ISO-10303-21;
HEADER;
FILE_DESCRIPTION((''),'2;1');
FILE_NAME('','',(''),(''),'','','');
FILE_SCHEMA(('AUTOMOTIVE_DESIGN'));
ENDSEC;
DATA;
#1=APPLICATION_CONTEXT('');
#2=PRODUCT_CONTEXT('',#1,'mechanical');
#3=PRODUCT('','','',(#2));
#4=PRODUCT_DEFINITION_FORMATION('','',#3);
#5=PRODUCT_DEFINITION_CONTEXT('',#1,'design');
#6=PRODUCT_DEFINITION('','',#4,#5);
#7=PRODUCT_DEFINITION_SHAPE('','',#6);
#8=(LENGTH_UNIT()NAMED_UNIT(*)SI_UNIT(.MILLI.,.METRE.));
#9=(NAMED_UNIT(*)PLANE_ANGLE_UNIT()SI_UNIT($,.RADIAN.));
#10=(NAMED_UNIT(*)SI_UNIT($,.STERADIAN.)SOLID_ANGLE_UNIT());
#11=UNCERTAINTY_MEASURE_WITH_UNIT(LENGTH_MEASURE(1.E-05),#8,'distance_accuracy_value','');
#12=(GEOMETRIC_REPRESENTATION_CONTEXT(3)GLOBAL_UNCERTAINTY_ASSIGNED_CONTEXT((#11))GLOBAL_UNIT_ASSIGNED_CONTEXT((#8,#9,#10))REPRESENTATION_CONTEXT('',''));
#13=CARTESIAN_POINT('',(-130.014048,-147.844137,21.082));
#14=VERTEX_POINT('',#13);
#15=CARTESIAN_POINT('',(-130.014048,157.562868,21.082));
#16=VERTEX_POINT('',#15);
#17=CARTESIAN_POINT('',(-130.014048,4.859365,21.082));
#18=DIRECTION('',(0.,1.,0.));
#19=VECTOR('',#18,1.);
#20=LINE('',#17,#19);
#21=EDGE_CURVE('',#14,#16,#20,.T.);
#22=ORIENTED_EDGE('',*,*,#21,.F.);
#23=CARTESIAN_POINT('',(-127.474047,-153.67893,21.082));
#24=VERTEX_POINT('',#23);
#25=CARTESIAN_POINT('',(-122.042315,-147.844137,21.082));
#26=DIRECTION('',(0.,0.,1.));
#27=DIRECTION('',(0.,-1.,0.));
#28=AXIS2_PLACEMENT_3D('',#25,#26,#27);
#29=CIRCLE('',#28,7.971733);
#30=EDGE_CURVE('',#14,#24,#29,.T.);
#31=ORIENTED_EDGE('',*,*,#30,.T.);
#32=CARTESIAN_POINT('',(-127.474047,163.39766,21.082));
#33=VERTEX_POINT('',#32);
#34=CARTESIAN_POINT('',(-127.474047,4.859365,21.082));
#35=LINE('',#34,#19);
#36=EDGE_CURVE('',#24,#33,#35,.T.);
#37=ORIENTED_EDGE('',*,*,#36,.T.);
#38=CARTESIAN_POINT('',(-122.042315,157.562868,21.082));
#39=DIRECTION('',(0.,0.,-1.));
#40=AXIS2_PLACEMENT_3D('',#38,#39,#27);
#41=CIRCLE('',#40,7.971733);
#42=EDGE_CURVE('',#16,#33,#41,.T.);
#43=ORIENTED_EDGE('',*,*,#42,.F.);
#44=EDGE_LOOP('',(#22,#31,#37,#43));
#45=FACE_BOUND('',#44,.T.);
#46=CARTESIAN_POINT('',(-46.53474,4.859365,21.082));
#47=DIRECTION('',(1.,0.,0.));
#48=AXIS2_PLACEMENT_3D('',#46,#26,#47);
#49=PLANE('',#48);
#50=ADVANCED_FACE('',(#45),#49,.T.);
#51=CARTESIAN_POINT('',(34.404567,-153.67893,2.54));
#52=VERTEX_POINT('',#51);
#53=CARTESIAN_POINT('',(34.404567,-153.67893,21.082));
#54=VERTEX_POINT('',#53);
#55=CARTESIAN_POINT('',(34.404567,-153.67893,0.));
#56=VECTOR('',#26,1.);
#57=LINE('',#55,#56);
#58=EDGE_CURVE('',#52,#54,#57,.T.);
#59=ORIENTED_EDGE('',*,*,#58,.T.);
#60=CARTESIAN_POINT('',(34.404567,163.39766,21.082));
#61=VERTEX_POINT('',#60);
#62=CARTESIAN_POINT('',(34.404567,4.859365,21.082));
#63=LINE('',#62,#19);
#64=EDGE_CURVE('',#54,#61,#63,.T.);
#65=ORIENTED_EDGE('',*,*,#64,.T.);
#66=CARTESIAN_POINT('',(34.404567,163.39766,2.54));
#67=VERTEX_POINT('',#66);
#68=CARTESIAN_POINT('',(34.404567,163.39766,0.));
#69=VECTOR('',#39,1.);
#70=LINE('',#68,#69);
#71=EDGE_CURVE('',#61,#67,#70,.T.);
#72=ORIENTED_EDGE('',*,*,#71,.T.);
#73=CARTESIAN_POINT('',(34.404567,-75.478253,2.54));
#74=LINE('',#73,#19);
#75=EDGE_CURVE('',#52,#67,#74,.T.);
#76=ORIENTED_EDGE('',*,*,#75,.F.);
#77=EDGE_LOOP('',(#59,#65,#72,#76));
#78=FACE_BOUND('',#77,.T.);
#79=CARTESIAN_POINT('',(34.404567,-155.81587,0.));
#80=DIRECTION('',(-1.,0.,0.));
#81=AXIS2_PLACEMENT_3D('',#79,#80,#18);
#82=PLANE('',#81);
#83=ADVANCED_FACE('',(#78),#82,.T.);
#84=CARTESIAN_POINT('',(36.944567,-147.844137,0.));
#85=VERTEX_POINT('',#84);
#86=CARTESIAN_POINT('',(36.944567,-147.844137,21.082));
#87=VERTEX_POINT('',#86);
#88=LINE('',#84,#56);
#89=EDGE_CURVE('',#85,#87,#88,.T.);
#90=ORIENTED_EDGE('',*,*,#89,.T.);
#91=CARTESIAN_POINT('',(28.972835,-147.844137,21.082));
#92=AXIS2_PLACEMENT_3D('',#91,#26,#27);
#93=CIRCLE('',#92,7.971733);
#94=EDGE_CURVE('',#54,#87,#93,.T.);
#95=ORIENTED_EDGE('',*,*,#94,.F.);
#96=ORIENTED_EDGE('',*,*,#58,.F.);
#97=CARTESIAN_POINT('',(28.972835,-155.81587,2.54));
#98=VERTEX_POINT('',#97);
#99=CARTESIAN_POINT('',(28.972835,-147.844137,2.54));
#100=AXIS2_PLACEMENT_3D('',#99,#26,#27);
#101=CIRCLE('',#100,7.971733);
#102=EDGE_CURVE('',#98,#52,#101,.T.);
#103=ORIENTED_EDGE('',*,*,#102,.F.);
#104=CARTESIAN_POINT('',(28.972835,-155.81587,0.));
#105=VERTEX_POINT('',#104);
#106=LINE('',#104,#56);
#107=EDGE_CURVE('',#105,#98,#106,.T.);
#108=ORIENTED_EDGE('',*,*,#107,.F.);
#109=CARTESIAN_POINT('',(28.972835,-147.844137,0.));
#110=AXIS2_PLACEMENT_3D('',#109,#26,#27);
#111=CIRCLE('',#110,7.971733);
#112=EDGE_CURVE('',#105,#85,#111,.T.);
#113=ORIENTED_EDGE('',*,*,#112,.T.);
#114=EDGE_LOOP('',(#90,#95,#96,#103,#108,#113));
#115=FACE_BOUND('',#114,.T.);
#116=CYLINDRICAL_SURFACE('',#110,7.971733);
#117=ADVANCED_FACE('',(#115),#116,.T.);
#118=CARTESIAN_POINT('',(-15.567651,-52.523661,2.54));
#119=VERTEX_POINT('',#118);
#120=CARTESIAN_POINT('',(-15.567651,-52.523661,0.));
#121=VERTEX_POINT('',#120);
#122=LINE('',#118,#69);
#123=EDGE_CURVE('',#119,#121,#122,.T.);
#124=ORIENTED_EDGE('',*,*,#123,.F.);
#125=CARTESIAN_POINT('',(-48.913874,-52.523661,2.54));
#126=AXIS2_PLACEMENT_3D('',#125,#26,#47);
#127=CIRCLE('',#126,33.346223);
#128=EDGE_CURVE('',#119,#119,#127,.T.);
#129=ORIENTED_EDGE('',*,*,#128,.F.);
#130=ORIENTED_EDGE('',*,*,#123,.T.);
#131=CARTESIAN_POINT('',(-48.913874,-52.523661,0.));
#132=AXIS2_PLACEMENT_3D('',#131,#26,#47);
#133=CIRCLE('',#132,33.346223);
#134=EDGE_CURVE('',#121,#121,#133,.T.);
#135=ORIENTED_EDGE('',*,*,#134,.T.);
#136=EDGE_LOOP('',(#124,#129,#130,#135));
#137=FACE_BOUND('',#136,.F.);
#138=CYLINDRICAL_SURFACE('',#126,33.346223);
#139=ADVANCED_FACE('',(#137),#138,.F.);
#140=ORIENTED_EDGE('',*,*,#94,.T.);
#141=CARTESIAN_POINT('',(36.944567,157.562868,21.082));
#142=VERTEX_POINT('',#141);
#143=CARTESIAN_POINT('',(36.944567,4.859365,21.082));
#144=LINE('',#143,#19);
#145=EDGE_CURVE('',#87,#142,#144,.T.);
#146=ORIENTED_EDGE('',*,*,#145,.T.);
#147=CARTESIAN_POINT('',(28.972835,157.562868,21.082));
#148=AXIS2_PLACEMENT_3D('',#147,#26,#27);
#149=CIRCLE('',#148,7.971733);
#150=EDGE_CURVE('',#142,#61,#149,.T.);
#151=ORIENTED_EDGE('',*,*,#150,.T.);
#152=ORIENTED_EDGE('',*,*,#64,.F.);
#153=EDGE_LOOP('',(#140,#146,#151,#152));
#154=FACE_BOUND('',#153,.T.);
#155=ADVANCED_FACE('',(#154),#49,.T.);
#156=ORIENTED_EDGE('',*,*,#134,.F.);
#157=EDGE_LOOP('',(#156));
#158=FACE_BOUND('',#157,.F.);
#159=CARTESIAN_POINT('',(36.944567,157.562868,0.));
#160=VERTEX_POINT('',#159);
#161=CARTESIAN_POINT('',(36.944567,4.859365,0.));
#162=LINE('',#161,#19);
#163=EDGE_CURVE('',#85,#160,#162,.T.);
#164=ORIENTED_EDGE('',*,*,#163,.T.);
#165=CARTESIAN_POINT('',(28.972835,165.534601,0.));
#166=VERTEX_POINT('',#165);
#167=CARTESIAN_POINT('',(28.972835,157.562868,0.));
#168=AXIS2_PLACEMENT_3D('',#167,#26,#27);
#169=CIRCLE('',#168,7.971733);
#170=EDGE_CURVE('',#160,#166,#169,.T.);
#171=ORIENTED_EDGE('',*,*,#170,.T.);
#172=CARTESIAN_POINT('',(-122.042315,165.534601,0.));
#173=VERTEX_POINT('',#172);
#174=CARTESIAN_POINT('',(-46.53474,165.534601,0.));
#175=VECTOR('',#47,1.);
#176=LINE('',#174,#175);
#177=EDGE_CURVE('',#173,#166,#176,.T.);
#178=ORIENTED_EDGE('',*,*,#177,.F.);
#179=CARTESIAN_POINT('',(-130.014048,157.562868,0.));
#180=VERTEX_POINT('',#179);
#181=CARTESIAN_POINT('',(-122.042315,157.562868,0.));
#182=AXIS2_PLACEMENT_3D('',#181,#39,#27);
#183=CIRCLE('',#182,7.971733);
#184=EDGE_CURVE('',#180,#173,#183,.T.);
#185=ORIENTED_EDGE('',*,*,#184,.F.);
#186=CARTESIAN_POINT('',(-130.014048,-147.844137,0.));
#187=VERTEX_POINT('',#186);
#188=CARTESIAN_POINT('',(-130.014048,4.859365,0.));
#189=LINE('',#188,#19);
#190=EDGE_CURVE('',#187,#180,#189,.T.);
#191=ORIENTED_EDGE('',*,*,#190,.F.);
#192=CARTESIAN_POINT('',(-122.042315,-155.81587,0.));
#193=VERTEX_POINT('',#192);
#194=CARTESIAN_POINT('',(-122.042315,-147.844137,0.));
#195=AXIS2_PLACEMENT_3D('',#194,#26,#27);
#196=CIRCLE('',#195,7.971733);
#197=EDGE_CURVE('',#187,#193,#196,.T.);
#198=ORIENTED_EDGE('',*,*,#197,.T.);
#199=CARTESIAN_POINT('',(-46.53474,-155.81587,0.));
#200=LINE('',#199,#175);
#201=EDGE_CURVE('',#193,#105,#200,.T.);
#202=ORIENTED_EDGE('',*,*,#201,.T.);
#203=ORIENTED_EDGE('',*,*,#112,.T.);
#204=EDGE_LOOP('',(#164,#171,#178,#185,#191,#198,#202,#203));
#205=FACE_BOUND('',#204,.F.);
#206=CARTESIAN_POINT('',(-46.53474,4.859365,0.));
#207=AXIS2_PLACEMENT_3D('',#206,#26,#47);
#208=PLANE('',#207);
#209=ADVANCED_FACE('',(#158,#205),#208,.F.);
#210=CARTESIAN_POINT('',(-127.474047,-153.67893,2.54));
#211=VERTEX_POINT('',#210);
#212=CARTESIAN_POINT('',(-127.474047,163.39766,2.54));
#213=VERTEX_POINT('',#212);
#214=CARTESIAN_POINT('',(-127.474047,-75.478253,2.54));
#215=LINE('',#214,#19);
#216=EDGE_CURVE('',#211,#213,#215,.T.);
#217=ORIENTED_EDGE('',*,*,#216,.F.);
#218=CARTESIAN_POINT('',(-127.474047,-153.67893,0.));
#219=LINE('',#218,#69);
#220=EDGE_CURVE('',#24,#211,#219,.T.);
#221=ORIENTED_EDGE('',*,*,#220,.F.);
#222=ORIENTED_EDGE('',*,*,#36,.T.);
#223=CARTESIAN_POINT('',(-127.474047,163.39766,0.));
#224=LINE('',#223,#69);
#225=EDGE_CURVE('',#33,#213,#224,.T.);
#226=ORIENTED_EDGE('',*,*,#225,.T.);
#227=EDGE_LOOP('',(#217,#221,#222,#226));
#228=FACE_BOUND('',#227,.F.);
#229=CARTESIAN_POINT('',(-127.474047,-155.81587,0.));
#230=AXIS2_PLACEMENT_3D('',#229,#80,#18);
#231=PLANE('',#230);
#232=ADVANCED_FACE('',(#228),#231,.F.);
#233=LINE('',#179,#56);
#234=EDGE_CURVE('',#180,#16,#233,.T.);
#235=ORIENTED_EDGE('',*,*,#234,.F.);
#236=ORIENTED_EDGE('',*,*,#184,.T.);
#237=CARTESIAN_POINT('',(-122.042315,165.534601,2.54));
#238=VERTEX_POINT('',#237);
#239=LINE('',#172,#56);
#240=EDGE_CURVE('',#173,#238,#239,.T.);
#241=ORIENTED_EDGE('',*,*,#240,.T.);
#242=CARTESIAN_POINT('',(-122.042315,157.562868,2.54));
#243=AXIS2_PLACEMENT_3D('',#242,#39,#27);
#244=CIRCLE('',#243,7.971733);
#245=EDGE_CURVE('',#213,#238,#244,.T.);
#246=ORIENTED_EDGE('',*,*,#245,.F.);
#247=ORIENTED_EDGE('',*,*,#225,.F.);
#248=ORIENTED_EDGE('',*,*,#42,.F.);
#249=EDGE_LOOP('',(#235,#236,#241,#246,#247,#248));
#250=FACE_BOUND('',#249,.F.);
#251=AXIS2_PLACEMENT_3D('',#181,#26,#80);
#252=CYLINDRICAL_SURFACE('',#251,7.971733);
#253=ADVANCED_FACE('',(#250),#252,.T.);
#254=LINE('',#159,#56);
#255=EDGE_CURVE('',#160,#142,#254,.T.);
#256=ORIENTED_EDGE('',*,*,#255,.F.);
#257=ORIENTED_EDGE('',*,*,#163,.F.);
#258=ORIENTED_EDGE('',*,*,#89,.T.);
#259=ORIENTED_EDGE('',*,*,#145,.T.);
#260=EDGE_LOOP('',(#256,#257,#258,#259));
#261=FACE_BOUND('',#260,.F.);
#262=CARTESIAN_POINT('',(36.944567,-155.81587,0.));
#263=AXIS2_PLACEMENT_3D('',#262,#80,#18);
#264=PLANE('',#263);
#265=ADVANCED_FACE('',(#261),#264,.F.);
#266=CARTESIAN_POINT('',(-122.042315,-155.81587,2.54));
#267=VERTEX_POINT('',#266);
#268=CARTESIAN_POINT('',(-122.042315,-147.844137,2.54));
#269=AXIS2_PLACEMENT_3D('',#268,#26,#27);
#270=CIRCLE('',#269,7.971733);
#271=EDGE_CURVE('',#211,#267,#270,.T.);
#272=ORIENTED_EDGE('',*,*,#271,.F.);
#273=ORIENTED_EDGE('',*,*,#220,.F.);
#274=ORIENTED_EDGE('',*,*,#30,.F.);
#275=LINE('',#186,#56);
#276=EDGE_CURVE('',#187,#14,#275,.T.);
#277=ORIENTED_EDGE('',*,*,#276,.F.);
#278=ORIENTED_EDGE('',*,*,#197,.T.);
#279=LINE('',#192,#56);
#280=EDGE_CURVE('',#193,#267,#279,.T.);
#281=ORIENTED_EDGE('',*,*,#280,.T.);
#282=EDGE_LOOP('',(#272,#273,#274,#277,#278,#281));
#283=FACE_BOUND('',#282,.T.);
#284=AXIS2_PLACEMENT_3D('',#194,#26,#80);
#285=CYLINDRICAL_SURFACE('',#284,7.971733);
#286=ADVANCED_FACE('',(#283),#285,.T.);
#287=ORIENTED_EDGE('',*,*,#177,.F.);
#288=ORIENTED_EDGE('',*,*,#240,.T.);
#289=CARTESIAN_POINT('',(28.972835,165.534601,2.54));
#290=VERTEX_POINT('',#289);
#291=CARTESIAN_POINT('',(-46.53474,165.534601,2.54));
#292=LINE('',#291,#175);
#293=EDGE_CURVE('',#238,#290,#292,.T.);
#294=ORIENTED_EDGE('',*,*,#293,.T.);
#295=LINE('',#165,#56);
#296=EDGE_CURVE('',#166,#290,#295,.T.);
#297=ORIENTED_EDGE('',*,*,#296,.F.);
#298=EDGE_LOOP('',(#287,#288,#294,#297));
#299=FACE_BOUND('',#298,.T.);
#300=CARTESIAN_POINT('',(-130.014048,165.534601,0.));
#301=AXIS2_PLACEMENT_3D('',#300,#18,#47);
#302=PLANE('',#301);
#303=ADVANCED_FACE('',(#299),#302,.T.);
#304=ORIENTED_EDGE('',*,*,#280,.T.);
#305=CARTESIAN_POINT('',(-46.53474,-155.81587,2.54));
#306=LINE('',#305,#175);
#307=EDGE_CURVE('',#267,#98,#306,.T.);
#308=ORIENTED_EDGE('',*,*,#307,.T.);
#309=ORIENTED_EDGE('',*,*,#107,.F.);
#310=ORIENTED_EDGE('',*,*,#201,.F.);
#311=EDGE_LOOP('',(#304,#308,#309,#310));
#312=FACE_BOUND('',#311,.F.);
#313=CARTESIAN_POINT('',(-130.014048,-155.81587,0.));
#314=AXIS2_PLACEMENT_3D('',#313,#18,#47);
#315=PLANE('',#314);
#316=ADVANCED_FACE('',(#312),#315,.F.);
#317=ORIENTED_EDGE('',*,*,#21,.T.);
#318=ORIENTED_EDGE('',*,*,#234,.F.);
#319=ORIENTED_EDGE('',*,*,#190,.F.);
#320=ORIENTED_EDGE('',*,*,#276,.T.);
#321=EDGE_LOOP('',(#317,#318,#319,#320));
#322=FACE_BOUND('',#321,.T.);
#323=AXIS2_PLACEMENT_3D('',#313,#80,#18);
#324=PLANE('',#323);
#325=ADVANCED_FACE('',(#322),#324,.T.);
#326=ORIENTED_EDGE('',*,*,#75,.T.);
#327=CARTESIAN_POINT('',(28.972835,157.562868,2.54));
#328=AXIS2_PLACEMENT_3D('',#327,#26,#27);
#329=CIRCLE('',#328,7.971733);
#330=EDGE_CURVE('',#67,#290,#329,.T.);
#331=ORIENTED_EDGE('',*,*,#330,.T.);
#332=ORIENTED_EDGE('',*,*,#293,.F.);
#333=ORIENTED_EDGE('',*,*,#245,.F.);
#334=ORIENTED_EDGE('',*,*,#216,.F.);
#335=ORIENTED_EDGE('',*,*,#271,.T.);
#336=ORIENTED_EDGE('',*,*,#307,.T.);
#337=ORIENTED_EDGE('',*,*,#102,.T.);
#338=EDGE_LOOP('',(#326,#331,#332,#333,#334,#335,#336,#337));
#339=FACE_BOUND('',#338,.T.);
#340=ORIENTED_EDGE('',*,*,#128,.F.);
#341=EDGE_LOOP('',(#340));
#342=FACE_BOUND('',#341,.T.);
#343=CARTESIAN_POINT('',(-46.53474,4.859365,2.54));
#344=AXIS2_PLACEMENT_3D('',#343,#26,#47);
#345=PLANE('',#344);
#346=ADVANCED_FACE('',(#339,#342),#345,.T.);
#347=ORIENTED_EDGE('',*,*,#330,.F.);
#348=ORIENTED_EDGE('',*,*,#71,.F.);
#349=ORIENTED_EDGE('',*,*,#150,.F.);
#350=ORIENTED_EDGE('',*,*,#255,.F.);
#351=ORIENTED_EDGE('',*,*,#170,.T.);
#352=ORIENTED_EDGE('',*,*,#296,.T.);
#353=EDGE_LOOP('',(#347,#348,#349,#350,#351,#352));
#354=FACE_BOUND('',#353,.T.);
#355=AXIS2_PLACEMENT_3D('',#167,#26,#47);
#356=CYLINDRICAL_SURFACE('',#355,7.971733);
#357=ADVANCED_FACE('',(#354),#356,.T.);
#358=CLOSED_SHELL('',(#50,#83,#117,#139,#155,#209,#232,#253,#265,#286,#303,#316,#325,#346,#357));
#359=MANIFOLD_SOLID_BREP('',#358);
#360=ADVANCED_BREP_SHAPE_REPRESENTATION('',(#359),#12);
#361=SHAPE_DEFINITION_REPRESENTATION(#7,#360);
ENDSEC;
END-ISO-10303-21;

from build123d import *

# Parameters (mm, degrees)
F0_W     = 166.958615
F0_H     = 321.350471
F1_DEPTH = 21.082
F2_T     = -2.54
F3_R     = 7.971733
F4_R     = 7.971733
F5_R     = 33.346223
F6_DEPTH = 145.542


with BuildPart() as f1:
    # F0 (on Top) → F1 (new body)
    with BuildSketch(Plane.XY):
        with Locations((-46.53474, 4.859365)):
            Rectangle(F0_W, F0_H)
    extrude(amount=F1_DEPTH)

    # F2
    f2_openings = [f1.faces().sort_by_distance(p)[0] for p in [
        (-46.534739, 4.859366, 21.082),
        (-46.534739, -155.81587, 10.541),
        (-46.534739, 165.534601, 10.541),
    ]]
    offset(amount=F2_T, openings=f2_openings)

    # F3
    f3_edges = [f1.edges().sort_by_distance(p)[0] for p in [
        (-130.014047, 165.534601, 10.541),
        (36.944568, 165.534601, 10.541),
    ]]
    fillet(f3_edges, radius=F3_R)

    # F4
    f4_edges = [f1.edges().sort_by_distance(p)[0] for p in [
        (36.944568, -155.81587, 10.541),
        (-130.014047, -155.81587, 10.541),
    ]]
    fillet(f4_edges, radius=F4_R)

    # F5 (on face) → F6 (cut)
    with BuildSketch(Plane.XY.offset(2.54)):
        with Locations((-48.913874, -52.523661)):
            Circle(F5_R)
    extrude(amount=-F6_DEPTH, mode=Mode.SUBTRACT)


solid = f1.part
